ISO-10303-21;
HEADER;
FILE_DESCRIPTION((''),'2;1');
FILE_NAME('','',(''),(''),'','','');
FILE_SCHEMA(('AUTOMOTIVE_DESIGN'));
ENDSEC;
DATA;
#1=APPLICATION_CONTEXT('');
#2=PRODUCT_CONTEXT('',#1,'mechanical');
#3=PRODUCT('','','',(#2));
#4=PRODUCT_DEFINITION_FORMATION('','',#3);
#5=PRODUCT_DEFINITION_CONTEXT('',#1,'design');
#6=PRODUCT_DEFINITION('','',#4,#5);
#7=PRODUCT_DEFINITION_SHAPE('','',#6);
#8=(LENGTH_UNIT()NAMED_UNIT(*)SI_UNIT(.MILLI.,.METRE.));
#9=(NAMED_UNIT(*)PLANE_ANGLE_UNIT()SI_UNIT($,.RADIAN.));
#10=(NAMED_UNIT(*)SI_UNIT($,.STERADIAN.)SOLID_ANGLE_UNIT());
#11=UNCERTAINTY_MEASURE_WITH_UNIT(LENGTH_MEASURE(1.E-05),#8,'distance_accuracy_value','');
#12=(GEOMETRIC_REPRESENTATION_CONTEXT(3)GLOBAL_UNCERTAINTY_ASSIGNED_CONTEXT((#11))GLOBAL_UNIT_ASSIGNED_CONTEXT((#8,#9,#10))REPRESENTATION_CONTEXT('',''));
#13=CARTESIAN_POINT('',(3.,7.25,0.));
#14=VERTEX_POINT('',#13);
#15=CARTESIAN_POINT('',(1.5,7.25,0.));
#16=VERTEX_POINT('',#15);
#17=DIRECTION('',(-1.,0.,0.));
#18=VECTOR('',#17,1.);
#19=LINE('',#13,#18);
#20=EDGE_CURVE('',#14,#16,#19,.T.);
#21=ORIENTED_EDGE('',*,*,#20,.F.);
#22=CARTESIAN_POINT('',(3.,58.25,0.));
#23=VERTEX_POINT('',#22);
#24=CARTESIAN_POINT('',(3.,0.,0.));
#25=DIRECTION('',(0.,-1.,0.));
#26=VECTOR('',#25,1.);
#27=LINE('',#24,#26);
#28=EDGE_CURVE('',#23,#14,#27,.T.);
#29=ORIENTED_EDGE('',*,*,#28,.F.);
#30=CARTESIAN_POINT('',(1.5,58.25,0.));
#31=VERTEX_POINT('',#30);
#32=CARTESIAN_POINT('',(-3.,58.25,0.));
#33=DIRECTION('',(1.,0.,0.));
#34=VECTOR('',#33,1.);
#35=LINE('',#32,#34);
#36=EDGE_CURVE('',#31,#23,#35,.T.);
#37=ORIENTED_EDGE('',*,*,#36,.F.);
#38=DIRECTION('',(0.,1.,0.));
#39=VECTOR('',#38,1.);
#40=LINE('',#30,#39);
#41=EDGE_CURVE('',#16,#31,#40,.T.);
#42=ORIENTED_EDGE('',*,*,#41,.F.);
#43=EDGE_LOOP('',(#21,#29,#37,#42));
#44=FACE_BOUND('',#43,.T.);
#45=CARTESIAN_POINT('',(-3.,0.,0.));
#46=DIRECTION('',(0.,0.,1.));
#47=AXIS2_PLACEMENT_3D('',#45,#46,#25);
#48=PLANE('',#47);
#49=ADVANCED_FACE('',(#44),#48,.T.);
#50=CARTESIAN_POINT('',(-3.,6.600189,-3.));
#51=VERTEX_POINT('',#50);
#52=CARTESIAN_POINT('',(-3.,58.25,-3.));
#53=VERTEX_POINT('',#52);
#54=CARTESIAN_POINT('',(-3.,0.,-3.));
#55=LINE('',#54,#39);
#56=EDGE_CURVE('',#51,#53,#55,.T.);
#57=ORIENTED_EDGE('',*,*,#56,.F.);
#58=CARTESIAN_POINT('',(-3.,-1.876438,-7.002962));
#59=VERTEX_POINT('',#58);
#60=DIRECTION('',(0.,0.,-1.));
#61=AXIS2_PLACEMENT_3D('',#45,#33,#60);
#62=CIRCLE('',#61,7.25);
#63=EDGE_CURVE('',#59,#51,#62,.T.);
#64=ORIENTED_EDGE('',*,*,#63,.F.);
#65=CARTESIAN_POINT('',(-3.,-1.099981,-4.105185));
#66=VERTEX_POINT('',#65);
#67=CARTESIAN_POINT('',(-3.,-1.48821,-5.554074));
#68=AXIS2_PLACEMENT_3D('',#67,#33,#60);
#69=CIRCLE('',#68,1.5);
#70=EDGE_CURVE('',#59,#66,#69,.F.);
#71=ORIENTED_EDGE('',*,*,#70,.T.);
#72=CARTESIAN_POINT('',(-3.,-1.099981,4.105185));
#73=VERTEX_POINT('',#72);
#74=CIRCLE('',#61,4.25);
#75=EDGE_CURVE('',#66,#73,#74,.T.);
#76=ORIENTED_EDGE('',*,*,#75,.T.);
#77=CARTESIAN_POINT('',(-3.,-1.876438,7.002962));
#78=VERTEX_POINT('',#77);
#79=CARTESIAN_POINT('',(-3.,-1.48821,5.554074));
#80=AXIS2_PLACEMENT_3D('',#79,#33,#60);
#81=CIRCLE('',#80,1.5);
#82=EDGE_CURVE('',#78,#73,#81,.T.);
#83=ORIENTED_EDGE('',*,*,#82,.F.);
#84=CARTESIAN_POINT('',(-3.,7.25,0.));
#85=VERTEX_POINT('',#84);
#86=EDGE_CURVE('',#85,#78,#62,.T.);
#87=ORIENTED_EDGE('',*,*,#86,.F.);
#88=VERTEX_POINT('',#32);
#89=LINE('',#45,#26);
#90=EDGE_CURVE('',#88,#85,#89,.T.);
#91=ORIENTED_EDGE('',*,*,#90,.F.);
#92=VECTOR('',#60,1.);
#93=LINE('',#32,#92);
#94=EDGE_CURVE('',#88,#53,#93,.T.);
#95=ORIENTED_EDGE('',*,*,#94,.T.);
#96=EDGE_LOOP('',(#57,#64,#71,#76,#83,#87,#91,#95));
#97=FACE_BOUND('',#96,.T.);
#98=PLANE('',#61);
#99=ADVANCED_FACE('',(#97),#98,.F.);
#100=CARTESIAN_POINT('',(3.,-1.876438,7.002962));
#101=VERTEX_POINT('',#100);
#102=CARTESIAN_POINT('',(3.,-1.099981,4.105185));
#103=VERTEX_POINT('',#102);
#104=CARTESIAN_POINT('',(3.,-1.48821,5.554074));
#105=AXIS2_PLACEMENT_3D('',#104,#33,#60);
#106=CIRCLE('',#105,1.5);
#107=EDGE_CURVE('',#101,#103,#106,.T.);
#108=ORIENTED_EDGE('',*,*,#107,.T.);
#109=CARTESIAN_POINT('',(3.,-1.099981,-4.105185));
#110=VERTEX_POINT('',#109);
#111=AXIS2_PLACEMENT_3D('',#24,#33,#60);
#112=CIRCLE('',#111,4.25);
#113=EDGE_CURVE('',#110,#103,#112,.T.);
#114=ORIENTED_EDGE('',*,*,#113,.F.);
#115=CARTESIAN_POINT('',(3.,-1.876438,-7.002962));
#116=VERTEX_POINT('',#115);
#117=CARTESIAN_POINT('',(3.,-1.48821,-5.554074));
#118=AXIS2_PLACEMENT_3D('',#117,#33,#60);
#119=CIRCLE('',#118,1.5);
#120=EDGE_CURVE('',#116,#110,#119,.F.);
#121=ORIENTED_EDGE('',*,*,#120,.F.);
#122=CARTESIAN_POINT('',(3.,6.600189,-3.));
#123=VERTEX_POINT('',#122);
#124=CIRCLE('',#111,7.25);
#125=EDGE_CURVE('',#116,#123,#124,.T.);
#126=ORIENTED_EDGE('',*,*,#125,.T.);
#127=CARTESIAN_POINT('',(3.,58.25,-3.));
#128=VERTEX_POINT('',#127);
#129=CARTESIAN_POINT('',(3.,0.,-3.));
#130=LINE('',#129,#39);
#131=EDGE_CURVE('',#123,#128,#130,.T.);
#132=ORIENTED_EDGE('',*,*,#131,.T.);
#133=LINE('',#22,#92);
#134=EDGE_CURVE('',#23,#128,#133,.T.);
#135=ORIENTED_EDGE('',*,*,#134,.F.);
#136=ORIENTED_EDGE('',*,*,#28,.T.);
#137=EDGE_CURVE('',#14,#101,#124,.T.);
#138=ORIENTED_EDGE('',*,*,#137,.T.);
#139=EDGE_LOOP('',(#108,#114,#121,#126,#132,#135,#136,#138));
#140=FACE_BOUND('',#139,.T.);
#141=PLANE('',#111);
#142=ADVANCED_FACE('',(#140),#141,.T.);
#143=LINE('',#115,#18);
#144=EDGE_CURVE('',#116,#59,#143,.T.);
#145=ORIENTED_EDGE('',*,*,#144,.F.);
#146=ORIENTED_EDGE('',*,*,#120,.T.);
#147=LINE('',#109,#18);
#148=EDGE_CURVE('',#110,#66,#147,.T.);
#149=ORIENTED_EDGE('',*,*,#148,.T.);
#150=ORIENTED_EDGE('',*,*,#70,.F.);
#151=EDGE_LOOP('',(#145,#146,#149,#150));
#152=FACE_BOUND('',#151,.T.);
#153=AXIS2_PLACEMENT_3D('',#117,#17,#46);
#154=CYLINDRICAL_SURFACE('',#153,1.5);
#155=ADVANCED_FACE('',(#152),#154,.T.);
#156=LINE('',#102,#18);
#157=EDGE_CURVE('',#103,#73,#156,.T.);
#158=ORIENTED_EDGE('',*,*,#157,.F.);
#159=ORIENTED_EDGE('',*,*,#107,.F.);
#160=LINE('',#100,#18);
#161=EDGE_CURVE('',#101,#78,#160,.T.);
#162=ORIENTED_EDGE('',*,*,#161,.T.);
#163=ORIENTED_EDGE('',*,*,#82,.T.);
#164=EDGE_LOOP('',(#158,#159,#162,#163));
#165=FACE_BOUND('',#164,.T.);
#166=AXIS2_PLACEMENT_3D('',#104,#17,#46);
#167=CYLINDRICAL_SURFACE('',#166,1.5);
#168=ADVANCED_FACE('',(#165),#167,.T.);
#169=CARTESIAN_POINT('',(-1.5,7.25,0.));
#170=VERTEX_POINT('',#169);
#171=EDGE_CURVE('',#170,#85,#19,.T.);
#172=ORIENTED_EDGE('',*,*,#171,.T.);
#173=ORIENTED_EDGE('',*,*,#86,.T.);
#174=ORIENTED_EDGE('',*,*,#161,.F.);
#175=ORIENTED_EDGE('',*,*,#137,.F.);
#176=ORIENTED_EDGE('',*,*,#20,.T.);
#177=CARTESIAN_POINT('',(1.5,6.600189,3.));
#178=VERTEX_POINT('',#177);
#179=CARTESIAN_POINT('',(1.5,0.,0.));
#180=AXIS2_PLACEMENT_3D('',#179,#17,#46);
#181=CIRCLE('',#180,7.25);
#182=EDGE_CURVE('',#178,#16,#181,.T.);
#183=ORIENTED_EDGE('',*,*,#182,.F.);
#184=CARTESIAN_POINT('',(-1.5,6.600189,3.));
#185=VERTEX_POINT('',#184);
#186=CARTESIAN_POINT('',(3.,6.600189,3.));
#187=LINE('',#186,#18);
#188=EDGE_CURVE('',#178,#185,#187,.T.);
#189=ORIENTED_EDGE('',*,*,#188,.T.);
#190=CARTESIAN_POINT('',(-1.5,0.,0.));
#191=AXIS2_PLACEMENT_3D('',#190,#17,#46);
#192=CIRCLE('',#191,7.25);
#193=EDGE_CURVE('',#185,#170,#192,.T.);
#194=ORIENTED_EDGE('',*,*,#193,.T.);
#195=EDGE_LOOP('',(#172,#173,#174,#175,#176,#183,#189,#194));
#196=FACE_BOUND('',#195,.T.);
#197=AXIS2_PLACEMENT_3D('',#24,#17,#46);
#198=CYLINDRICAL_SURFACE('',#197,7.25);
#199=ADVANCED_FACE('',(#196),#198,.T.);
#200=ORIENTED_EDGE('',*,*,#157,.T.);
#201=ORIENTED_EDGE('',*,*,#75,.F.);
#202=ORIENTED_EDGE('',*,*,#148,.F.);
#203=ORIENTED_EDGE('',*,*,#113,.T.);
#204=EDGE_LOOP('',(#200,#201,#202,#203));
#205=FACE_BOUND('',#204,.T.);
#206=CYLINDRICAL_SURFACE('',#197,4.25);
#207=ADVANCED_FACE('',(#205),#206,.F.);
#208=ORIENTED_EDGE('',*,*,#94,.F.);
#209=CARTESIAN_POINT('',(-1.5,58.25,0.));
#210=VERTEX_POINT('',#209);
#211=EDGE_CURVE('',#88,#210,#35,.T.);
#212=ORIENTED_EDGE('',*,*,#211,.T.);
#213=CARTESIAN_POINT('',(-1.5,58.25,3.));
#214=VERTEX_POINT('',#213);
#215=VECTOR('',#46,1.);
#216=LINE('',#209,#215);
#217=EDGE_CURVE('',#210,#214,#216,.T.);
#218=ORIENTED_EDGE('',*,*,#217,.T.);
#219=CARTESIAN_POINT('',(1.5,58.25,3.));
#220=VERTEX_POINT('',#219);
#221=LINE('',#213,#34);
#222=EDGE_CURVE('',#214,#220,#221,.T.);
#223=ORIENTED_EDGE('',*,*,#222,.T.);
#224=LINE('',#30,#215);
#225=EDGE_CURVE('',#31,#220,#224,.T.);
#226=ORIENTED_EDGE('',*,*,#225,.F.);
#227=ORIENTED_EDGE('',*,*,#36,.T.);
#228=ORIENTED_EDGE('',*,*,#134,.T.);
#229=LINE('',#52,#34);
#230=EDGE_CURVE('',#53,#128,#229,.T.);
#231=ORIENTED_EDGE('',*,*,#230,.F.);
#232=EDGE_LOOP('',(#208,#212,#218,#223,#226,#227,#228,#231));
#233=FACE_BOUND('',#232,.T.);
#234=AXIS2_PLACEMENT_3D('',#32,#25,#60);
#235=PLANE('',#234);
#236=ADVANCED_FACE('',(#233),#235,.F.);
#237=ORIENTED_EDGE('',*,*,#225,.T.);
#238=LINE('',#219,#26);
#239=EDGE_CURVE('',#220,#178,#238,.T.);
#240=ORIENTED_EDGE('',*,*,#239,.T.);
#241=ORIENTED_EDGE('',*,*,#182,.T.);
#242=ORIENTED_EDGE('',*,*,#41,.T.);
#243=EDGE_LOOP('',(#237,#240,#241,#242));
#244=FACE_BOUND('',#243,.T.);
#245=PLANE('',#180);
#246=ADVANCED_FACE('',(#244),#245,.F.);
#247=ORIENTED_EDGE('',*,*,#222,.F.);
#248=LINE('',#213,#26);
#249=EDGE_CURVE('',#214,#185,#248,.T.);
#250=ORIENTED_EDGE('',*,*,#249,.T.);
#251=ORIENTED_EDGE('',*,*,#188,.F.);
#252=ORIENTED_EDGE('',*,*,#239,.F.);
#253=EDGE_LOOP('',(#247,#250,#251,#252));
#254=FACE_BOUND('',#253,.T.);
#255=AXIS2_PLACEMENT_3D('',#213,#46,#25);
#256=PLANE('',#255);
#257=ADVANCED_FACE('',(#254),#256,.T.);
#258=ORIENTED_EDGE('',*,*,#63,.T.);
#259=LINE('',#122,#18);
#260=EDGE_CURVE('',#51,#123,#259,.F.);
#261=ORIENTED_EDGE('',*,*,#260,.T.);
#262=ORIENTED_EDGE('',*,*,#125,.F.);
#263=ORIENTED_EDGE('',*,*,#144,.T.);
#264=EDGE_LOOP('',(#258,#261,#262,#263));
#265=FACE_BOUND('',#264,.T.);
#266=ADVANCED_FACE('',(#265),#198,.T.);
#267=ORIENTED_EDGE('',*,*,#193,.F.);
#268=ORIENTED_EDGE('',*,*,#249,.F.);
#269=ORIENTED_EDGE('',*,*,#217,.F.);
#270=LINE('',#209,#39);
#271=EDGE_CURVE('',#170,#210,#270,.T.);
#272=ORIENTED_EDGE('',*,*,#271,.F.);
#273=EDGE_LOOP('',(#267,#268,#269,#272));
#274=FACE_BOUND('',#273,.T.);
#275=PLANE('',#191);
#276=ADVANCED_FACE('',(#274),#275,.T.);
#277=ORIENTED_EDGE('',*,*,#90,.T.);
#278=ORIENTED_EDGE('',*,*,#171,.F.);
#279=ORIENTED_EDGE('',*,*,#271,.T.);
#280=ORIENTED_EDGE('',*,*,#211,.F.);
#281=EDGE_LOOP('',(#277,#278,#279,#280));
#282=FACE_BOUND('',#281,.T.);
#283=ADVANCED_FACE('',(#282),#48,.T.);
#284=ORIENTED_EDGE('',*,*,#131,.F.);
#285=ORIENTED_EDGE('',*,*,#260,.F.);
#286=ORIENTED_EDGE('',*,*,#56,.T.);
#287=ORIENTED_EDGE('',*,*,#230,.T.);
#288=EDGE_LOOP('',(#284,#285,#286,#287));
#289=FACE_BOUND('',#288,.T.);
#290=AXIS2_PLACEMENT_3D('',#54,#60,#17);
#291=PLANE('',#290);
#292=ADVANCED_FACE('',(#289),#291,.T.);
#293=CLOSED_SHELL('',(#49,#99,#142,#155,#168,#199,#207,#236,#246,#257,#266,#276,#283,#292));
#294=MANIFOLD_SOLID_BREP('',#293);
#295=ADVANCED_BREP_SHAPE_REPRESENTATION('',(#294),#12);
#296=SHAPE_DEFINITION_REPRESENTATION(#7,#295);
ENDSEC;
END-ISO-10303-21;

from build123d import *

# Parameters (mm, degrees)
BOSS_EXTRUDE1_DEPTH      = 3
BOSS_EXTRUDE1_DEPTH_BACK = 3
BOSS_EXTRUDE2_DEPTH      = 3
BOSS_EXTRUDE2_DEPTH_BACK = 3
BOSS_EXTRUDE3_DEPTH      = 1.5
BOSS_EXTRUDE3_DEPTH_BACK = 1.5
SKETCH3_W                = 3
SKETCH3_H                = 52


with BuildPart() as part:
    # Sketch1 → Boss-Extrude1 (new, two sides: drawn at the far end of the back side and taken through both)
    with BuildSketch(Plane(origin=(0, 0, 0), x_dir=(0, 0, -1), z_dir=(1, 0, 0)).offset(-BOSS_EXTRUDE1_DEPTH_BACK)):
        with BuildLine():
            ThreePointArc((-4.105184762, -1.099980942), (0, 4.25), (4.105184762, -1.099980942))
            ThreePointArc((4.105184762, -1.099980942), (5.165844934, -2.937098249), (7.002962241, -1.876438077))
            ThreePointArc((7.002962241, -1.876438077), (0, 7.25), (-7.002962241, -1.876438077))
            ThreePointArc((-7.002962241, -1.876438077), (-5.165844934, -2.937098249), (-4.105184762, -1.099980942))
        make_face()
    extrude(amount=BOSS_EXTRUDE1_DEPTH + BOSS_EXTRUDE1_DEPTH_BACK)

    # Sketch2 → Boss-Extrude2 (add, two sides: drawn at the far end of the back side and taken through both)
    with BuildSketch(Plane(origin=(0, 0, 0), x_dir=(0, 0, -1), z_dir=(1, 0, 0)).offset(-BOSS_EXTRUDE2_DEPTH_BACK)):
        Polygon((0, 7.25), (0, 5.25), (3, 5.25), (3, 58.25), (0, 58.25), align=None)
    extrude(amount=BOSS_EXTRUDE2_DEPTH + BOSS_EXTRUDE2_DEPTH_BACK)

    # Sketch3 → Boss-Extrude3 (add, two sides: drawn at the far end of the back side and taken through both)
    with BuildSketch(Plane(origin=(0, 0, 0), x_dir=(0, 0, -1), z_dir=(1, 0, 0)).offset(-BOSS_EXTRUDE3_DEPTH_BACK)):
        with Locations((-1.5, 32.25)):
            Rectangle(SKETCH3_W, SKETCH3_H)
    extrude(amount=BOSS_EXTRUDE3_DEPTH + BOSS_EXTRUDE3_DEPTH_BACK)


solid = part.part
